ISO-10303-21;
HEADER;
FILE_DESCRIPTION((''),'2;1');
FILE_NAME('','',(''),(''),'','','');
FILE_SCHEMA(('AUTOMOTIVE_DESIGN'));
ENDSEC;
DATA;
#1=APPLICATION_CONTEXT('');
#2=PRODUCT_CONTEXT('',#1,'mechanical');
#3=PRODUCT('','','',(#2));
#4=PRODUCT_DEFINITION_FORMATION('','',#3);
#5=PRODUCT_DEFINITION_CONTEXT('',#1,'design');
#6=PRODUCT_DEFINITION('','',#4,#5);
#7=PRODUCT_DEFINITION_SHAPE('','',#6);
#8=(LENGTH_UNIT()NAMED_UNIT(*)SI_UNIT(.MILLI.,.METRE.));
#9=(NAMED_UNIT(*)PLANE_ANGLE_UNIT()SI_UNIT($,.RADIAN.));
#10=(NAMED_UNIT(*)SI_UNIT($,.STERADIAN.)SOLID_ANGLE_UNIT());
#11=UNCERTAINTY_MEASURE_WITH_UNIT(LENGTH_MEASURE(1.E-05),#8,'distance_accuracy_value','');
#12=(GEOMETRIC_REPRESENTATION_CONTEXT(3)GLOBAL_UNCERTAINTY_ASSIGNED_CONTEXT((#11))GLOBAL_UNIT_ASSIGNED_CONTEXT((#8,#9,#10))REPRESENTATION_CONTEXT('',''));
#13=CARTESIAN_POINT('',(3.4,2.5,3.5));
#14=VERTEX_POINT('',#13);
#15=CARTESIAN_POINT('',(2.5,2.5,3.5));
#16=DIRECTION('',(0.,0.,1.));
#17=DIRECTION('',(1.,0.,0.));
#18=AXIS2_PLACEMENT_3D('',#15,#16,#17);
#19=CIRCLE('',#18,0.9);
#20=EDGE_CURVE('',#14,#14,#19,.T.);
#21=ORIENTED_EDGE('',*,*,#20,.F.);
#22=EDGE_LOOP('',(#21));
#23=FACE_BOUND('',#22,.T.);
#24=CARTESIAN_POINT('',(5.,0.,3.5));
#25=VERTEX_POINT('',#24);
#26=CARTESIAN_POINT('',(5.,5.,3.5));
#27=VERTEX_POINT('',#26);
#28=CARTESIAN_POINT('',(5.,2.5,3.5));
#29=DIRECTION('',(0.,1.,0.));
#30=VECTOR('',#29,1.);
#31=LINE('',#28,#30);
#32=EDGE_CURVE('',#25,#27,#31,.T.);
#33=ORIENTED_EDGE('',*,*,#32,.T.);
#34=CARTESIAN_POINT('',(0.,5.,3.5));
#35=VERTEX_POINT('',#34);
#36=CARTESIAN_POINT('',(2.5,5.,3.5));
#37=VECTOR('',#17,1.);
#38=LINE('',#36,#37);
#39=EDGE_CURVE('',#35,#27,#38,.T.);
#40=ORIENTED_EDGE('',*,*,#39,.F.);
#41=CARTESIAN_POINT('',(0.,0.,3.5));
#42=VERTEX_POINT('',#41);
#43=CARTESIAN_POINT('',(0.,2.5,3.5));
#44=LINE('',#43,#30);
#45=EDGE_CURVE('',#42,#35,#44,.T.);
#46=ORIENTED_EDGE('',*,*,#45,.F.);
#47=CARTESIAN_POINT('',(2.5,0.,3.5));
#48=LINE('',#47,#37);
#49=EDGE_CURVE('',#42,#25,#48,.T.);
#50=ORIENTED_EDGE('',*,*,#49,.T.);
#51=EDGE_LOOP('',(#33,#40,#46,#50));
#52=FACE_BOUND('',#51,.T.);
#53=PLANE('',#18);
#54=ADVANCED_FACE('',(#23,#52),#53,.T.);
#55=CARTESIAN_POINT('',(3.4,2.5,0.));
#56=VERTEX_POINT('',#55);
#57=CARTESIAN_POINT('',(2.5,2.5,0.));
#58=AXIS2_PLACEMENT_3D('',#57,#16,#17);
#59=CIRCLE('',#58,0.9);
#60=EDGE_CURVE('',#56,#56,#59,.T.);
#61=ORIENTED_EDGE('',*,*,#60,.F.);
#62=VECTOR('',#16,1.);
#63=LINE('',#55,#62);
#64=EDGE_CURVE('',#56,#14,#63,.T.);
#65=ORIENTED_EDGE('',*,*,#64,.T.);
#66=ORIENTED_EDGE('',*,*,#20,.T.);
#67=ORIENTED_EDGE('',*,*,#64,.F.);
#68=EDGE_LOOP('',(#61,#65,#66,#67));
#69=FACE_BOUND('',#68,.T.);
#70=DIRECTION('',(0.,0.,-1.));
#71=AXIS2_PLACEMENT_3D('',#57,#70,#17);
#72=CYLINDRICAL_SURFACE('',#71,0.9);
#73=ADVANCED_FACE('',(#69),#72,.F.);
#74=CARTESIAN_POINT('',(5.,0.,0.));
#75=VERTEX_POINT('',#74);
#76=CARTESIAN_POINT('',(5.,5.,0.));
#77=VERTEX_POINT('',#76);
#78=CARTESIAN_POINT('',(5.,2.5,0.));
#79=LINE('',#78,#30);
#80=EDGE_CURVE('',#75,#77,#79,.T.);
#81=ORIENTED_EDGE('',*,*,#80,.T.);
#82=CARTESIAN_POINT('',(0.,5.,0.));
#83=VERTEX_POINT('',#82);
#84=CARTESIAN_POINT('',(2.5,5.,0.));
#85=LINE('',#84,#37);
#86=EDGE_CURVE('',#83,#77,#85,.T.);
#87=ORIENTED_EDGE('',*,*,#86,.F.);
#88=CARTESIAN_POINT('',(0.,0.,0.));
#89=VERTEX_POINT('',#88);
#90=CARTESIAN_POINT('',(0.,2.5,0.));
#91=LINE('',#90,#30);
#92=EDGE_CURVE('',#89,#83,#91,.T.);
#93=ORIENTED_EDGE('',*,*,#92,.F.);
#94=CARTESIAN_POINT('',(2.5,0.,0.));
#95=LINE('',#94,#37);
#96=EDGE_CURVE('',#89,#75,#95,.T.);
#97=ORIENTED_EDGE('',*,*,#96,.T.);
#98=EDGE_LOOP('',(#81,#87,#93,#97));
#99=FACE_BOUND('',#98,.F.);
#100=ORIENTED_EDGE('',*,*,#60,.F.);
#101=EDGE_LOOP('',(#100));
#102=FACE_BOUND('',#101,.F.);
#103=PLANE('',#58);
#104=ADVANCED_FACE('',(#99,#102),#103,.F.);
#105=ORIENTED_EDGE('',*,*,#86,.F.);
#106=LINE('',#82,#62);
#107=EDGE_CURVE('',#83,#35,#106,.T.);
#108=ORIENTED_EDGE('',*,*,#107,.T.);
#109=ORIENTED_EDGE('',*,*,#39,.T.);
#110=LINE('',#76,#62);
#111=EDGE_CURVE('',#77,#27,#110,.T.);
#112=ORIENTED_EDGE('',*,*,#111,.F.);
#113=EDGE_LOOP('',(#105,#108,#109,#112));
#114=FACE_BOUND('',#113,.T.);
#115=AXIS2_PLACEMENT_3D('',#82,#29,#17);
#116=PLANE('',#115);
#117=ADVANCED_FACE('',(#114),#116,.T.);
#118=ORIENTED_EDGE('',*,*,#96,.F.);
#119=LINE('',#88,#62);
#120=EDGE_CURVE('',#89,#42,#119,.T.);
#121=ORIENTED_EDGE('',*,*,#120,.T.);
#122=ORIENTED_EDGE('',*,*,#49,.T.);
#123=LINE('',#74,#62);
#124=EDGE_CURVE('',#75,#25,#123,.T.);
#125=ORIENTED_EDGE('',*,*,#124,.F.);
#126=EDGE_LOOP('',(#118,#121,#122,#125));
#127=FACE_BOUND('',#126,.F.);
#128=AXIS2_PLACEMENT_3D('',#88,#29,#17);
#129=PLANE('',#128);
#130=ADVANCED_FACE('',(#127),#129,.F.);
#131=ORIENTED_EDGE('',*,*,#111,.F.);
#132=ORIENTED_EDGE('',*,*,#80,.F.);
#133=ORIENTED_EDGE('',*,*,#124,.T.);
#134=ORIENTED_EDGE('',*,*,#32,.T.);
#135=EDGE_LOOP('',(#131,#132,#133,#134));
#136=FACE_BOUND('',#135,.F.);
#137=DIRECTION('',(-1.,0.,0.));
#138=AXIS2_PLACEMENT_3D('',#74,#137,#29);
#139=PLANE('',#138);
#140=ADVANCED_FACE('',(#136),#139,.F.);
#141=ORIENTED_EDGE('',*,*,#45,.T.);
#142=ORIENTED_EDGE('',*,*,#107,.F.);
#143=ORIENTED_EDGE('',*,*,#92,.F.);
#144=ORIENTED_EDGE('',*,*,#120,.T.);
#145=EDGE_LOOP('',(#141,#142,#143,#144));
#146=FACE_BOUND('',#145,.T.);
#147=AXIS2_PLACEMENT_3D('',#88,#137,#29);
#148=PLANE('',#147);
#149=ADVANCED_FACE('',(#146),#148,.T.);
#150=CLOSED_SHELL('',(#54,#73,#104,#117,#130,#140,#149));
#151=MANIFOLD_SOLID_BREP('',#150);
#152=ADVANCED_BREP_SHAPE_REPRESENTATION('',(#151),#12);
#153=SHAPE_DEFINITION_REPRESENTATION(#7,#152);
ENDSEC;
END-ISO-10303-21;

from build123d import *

# Parameters (mm, degrees)
CYLINDER012_R     = 0.9
CYLINDER012_DEPTH = 3.5
BOX039_W          = 5
BOX039_H          = 5
BOX039_DEPTH      = 3.5


with BuildPart() as anchorscrew:
    # Cylinder012 → Cylinder012 (new body)
    with BuildSketch(Plane(origin=(2.5, 2.5, 0), x_dir=(1, 0, 0), z_dir=(0, 0, 1))):
        Circle(CYLINDER012_R)
    extrude(amount=CYLINDER012_DEPTH)


with BuildPart() as anchor:
    # Box039 → Box039 (new body)
    with BuildSketch(Plane.XY):
        with Locations((2.5, 2.5)):
            Rectangle(BOX039_W, BOX039_H)
    extrude(amount=BOX039_DEPTH)

    # Cut010: cut AnchorScrew
    add(anchorscrew.part, mode=Mode.SUBTRACT)


solid = anchor.part
